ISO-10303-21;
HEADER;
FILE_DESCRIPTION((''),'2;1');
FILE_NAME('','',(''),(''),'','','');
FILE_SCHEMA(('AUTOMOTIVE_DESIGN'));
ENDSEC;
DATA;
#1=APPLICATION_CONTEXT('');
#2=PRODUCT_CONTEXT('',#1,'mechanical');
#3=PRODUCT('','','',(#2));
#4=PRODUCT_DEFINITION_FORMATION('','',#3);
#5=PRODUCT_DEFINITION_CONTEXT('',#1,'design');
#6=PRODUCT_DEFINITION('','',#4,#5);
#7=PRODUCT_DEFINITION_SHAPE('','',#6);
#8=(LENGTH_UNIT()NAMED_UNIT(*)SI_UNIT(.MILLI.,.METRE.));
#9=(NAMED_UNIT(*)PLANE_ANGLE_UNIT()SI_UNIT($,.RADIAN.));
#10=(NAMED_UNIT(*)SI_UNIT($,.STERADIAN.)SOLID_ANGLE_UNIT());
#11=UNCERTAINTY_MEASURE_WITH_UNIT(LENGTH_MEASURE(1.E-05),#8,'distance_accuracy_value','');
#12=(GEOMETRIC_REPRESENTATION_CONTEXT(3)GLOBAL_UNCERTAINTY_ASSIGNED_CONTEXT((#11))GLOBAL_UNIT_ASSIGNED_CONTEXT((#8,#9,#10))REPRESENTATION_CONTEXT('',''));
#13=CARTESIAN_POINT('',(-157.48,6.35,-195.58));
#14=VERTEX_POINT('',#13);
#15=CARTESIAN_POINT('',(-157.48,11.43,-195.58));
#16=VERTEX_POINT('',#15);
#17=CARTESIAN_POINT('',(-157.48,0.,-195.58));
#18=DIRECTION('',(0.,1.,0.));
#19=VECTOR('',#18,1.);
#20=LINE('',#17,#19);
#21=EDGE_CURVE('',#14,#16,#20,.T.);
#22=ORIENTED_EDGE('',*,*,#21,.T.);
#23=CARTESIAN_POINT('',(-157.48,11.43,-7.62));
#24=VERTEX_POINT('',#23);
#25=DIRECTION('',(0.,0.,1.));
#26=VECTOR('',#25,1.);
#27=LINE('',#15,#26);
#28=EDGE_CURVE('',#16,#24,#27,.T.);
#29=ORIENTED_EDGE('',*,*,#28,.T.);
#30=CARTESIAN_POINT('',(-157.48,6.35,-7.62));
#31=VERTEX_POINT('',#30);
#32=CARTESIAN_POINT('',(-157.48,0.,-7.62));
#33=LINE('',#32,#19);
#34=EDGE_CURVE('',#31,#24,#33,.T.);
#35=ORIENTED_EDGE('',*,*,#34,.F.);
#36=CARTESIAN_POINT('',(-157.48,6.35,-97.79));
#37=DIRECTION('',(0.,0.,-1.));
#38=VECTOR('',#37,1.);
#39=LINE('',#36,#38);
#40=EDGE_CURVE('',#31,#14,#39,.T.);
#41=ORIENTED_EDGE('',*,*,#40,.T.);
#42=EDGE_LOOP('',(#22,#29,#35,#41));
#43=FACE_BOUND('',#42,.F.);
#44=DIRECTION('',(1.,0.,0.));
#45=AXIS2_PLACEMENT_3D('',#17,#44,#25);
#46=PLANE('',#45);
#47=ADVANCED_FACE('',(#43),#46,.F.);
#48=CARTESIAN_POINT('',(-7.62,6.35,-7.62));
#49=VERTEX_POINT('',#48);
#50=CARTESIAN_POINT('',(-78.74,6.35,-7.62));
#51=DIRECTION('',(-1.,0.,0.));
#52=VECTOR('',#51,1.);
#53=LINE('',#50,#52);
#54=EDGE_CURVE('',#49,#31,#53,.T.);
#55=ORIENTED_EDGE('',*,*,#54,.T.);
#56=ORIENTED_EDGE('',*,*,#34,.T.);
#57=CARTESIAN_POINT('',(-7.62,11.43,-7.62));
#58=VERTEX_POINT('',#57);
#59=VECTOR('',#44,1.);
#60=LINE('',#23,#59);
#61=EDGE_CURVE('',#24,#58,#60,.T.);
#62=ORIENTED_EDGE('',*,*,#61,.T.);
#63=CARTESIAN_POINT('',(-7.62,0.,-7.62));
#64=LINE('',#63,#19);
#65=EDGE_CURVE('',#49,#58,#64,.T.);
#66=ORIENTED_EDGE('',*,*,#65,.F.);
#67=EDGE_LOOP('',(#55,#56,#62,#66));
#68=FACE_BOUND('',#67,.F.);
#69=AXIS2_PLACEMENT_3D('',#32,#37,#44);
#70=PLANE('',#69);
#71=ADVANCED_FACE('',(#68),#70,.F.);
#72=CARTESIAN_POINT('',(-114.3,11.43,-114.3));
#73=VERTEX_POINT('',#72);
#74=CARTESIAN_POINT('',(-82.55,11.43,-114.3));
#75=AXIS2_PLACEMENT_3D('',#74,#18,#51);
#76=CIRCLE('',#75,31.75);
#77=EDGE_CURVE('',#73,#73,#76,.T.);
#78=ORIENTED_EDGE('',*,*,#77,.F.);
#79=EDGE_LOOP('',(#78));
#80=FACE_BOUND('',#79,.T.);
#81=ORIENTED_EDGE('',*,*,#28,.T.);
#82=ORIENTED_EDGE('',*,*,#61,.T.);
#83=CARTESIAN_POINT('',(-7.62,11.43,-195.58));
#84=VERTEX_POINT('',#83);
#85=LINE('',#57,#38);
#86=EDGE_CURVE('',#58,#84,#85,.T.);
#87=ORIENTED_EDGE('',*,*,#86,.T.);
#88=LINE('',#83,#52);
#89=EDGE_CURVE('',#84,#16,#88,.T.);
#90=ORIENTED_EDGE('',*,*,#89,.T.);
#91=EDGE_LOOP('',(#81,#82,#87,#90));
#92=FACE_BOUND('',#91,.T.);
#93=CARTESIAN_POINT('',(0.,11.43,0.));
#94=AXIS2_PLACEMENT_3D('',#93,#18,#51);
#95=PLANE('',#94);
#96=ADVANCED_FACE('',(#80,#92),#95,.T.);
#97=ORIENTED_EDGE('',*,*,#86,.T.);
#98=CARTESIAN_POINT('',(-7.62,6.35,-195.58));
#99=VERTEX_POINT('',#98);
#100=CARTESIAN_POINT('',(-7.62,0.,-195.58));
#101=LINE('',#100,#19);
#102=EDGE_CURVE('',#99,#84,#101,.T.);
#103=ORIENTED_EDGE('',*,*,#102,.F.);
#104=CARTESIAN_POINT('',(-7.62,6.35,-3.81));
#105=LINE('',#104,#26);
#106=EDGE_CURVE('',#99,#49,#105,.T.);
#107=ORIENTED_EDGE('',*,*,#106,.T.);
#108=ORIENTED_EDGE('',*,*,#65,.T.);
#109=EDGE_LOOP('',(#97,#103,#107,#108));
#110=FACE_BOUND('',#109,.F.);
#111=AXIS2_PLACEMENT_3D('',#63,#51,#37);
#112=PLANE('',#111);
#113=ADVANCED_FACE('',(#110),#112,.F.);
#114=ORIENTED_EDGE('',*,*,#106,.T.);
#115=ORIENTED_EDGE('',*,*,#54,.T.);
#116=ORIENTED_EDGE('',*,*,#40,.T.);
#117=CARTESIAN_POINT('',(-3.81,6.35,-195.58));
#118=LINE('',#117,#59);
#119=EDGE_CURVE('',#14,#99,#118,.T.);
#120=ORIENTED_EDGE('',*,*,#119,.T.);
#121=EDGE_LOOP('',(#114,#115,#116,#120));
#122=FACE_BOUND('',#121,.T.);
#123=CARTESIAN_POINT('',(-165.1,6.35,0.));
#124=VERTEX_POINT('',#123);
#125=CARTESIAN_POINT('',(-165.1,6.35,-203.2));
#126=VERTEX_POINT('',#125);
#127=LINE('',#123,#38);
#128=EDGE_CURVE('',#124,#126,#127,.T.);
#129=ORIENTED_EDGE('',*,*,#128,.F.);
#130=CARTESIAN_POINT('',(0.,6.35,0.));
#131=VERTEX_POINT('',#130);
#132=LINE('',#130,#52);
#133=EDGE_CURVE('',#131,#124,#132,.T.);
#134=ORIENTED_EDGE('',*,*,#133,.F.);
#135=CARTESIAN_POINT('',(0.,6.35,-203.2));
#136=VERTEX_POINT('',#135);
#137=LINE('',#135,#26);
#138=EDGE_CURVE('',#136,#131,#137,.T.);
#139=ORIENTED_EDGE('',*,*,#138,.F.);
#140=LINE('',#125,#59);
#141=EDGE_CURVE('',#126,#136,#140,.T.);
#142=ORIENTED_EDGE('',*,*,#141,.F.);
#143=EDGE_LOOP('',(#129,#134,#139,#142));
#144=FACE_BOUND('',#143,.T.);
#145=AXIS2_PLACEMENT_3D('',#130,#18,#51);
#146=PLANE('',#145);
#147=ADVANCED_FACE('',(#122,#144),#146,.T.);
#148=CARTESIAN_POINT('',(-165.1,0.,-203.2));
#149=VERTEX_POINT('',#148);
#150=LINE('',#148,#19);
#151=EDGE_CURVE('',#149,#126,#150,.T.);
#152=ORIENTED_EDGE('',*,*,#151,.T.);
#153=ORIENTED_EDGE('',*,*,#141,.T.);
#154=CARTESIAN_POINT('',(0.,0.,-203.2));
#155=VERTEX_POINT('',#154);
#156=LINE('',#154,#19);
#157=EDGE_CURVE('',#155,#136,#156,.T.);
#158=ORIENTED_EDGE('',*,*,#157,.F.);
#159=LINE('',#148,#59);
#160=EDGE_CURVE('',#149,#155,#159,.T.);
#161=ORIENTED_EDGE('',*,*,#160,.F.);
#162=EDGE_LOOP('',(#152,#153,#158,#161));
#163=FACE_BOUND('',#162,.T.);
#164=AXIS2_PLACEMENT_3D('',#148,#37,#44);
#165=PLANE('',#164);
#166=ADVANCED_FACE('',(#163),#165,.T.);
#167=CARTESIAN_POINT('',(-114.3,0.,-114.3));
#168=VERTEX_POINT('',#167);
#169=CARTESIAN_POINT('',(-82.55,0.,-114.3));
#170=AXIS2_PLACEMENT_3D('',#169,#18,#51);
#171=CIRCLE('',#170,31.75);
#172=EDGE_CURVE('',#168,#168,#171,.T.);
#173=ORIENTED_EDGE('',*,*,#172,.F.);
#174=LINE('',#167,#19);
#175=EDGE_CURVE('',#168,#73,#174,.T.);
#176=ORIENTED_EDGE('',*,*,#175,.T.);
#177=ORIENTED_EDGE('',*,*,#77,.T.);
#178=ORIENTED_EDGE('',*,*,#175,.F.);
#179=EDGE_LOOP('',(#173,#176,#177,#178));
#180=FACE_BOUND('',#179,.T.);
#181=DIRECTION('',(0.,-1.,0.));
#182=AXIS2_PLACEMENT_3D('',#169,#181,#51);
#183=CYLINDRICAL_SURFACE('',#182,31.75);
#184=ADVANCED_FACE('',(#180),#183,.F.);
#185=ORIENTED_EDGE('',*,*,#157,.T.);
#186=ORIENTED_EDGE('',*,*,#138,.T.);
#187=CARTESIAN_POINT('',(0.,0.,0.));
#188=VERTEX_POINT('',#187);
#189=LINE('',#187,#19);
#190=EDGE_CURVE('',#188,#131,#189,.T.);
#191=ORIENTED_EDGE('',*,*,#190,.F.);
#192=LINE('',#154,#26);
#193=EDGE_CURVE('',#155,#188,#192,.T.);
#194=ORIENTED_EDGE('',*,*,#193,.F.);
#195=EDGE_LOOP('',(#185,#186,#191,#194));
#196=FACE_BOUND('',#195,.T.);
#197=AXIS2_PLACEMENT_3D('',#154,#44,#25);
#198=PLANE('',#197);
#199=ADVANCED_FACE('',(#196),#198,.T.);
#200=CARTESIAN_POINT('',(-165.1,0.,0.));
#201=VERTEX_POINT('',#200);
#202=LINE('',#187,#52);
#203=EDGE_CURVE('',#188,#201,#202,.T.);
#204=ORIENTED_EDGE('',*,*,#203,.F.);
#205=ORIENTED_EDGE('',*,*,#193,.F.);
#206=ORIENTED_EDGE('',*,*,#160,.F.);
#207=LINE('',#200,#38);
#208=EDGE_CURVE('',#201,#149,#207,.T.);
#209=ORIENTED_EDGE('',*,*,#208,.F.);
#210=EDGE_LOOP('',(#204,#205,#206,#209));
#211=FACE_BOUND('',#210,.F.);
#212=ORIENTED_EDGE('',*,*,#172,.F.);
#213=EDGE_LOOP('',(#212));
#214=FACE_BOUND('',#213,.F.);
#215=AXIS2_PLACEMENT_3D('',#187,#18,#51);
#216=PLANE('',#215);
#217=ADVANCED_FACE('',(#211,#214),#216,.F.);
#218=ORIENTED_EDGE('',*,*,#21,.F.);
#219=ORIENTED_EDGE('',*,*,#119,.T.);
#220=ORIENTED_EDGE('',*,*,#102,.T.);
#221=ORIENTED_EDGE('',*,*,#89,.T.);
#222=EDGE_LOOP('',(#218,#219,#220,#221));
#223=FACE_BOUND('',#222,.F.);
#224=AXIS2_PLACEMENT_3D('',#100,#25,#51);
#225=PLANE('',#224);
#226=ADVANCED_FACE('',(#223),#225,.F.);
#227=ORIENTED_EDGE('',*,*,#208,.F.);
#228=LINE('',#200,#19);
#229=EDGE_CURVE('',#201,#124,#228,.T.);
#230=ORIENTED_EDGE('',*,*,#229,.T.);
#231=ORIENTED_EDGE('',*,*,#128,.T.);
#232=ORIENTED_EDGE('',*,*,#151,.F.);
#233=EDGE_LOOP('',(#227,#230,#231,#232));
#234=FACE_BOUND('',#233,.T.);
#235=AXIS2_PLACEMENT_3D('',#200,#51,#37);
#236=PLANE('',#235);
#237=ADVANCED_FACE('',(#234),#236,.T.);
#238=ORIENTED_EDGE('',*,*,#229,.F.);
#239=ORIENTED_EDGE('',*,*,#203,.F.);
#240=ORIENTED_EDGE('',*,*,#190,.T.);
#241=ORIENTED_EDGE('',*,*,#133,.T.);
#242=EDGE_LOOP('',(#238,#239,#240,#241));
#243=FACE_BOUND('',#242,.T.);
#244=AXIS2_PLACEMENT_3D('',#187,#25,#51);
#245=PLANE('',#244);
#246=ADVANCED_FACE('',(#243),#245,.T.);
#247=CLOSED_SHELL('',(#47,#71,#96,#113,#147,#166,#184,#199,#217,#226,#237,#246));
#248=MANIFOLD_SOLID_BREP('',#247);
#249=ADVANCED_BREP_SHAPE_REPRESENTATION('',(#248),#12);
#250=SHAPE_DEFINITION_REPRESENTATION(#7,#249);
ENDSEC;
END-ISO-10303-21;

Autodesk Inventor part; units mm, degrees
ref_plane "YZ Plane" through (0, 0, 0) normal (1, 0, 0) x (0, 1, 0)
ref_plane "XZ Plane" through (0, 0, 0) normal (0, 1, 0) x (-1, 0, 0)
ref_plane "XY Plane" through (0, 0, 0) normal (0, 0, 1) x (1, 0, 0)
sketch "Sketch1" plane through (0, 0, 0) normal (0, 1, 0) x (-1, 0, 0)
  line L0 (0, 0) -> (165.1, 0)
  line L1 (165.1, 0) -> (165.1, -203.2)
  line L2 (165.1, -203.2) -> (0, -203.2)
  line L3 (0, -203.2) -> (0, 0)
  line L4 (157.48, -195.58) -> (157.48, -7.62)
  line L5 (157.48, -7.62) -> (7.62, -7.62)
  line L6 (7.62, -7.62) -> (7.62, -195.58)
  line L7 (7.62, -195.58) -> (157.48, -195.58)
  circle A0 centre (82.55, -114.3) radius 31.75
  point P0 (82.55, -195.58)
  point P1 (157.48, -114.3)
  dimension "d0" = 203.2
  dimension "d1" = 165.1
  dimension "d2" = 7.62
  dimension "d3" = 63.5
  dimension "d4" = 88.9
extrude "Extrusion1" add sketch "Sketch1" along normal blind 6.35 contours L0 L1 L2 L3 | L7 L6 L5 L4 | A0
extrude "Extrusion2" add sketch "Sketch1" along normal blind 11.43 contours L7 L6 L5 L4
extrude "Extrusion3" cut sketch "Sketch1" along normal through all contours A0
properties part number "OGRobotRoof" material "ABS Plastic"
